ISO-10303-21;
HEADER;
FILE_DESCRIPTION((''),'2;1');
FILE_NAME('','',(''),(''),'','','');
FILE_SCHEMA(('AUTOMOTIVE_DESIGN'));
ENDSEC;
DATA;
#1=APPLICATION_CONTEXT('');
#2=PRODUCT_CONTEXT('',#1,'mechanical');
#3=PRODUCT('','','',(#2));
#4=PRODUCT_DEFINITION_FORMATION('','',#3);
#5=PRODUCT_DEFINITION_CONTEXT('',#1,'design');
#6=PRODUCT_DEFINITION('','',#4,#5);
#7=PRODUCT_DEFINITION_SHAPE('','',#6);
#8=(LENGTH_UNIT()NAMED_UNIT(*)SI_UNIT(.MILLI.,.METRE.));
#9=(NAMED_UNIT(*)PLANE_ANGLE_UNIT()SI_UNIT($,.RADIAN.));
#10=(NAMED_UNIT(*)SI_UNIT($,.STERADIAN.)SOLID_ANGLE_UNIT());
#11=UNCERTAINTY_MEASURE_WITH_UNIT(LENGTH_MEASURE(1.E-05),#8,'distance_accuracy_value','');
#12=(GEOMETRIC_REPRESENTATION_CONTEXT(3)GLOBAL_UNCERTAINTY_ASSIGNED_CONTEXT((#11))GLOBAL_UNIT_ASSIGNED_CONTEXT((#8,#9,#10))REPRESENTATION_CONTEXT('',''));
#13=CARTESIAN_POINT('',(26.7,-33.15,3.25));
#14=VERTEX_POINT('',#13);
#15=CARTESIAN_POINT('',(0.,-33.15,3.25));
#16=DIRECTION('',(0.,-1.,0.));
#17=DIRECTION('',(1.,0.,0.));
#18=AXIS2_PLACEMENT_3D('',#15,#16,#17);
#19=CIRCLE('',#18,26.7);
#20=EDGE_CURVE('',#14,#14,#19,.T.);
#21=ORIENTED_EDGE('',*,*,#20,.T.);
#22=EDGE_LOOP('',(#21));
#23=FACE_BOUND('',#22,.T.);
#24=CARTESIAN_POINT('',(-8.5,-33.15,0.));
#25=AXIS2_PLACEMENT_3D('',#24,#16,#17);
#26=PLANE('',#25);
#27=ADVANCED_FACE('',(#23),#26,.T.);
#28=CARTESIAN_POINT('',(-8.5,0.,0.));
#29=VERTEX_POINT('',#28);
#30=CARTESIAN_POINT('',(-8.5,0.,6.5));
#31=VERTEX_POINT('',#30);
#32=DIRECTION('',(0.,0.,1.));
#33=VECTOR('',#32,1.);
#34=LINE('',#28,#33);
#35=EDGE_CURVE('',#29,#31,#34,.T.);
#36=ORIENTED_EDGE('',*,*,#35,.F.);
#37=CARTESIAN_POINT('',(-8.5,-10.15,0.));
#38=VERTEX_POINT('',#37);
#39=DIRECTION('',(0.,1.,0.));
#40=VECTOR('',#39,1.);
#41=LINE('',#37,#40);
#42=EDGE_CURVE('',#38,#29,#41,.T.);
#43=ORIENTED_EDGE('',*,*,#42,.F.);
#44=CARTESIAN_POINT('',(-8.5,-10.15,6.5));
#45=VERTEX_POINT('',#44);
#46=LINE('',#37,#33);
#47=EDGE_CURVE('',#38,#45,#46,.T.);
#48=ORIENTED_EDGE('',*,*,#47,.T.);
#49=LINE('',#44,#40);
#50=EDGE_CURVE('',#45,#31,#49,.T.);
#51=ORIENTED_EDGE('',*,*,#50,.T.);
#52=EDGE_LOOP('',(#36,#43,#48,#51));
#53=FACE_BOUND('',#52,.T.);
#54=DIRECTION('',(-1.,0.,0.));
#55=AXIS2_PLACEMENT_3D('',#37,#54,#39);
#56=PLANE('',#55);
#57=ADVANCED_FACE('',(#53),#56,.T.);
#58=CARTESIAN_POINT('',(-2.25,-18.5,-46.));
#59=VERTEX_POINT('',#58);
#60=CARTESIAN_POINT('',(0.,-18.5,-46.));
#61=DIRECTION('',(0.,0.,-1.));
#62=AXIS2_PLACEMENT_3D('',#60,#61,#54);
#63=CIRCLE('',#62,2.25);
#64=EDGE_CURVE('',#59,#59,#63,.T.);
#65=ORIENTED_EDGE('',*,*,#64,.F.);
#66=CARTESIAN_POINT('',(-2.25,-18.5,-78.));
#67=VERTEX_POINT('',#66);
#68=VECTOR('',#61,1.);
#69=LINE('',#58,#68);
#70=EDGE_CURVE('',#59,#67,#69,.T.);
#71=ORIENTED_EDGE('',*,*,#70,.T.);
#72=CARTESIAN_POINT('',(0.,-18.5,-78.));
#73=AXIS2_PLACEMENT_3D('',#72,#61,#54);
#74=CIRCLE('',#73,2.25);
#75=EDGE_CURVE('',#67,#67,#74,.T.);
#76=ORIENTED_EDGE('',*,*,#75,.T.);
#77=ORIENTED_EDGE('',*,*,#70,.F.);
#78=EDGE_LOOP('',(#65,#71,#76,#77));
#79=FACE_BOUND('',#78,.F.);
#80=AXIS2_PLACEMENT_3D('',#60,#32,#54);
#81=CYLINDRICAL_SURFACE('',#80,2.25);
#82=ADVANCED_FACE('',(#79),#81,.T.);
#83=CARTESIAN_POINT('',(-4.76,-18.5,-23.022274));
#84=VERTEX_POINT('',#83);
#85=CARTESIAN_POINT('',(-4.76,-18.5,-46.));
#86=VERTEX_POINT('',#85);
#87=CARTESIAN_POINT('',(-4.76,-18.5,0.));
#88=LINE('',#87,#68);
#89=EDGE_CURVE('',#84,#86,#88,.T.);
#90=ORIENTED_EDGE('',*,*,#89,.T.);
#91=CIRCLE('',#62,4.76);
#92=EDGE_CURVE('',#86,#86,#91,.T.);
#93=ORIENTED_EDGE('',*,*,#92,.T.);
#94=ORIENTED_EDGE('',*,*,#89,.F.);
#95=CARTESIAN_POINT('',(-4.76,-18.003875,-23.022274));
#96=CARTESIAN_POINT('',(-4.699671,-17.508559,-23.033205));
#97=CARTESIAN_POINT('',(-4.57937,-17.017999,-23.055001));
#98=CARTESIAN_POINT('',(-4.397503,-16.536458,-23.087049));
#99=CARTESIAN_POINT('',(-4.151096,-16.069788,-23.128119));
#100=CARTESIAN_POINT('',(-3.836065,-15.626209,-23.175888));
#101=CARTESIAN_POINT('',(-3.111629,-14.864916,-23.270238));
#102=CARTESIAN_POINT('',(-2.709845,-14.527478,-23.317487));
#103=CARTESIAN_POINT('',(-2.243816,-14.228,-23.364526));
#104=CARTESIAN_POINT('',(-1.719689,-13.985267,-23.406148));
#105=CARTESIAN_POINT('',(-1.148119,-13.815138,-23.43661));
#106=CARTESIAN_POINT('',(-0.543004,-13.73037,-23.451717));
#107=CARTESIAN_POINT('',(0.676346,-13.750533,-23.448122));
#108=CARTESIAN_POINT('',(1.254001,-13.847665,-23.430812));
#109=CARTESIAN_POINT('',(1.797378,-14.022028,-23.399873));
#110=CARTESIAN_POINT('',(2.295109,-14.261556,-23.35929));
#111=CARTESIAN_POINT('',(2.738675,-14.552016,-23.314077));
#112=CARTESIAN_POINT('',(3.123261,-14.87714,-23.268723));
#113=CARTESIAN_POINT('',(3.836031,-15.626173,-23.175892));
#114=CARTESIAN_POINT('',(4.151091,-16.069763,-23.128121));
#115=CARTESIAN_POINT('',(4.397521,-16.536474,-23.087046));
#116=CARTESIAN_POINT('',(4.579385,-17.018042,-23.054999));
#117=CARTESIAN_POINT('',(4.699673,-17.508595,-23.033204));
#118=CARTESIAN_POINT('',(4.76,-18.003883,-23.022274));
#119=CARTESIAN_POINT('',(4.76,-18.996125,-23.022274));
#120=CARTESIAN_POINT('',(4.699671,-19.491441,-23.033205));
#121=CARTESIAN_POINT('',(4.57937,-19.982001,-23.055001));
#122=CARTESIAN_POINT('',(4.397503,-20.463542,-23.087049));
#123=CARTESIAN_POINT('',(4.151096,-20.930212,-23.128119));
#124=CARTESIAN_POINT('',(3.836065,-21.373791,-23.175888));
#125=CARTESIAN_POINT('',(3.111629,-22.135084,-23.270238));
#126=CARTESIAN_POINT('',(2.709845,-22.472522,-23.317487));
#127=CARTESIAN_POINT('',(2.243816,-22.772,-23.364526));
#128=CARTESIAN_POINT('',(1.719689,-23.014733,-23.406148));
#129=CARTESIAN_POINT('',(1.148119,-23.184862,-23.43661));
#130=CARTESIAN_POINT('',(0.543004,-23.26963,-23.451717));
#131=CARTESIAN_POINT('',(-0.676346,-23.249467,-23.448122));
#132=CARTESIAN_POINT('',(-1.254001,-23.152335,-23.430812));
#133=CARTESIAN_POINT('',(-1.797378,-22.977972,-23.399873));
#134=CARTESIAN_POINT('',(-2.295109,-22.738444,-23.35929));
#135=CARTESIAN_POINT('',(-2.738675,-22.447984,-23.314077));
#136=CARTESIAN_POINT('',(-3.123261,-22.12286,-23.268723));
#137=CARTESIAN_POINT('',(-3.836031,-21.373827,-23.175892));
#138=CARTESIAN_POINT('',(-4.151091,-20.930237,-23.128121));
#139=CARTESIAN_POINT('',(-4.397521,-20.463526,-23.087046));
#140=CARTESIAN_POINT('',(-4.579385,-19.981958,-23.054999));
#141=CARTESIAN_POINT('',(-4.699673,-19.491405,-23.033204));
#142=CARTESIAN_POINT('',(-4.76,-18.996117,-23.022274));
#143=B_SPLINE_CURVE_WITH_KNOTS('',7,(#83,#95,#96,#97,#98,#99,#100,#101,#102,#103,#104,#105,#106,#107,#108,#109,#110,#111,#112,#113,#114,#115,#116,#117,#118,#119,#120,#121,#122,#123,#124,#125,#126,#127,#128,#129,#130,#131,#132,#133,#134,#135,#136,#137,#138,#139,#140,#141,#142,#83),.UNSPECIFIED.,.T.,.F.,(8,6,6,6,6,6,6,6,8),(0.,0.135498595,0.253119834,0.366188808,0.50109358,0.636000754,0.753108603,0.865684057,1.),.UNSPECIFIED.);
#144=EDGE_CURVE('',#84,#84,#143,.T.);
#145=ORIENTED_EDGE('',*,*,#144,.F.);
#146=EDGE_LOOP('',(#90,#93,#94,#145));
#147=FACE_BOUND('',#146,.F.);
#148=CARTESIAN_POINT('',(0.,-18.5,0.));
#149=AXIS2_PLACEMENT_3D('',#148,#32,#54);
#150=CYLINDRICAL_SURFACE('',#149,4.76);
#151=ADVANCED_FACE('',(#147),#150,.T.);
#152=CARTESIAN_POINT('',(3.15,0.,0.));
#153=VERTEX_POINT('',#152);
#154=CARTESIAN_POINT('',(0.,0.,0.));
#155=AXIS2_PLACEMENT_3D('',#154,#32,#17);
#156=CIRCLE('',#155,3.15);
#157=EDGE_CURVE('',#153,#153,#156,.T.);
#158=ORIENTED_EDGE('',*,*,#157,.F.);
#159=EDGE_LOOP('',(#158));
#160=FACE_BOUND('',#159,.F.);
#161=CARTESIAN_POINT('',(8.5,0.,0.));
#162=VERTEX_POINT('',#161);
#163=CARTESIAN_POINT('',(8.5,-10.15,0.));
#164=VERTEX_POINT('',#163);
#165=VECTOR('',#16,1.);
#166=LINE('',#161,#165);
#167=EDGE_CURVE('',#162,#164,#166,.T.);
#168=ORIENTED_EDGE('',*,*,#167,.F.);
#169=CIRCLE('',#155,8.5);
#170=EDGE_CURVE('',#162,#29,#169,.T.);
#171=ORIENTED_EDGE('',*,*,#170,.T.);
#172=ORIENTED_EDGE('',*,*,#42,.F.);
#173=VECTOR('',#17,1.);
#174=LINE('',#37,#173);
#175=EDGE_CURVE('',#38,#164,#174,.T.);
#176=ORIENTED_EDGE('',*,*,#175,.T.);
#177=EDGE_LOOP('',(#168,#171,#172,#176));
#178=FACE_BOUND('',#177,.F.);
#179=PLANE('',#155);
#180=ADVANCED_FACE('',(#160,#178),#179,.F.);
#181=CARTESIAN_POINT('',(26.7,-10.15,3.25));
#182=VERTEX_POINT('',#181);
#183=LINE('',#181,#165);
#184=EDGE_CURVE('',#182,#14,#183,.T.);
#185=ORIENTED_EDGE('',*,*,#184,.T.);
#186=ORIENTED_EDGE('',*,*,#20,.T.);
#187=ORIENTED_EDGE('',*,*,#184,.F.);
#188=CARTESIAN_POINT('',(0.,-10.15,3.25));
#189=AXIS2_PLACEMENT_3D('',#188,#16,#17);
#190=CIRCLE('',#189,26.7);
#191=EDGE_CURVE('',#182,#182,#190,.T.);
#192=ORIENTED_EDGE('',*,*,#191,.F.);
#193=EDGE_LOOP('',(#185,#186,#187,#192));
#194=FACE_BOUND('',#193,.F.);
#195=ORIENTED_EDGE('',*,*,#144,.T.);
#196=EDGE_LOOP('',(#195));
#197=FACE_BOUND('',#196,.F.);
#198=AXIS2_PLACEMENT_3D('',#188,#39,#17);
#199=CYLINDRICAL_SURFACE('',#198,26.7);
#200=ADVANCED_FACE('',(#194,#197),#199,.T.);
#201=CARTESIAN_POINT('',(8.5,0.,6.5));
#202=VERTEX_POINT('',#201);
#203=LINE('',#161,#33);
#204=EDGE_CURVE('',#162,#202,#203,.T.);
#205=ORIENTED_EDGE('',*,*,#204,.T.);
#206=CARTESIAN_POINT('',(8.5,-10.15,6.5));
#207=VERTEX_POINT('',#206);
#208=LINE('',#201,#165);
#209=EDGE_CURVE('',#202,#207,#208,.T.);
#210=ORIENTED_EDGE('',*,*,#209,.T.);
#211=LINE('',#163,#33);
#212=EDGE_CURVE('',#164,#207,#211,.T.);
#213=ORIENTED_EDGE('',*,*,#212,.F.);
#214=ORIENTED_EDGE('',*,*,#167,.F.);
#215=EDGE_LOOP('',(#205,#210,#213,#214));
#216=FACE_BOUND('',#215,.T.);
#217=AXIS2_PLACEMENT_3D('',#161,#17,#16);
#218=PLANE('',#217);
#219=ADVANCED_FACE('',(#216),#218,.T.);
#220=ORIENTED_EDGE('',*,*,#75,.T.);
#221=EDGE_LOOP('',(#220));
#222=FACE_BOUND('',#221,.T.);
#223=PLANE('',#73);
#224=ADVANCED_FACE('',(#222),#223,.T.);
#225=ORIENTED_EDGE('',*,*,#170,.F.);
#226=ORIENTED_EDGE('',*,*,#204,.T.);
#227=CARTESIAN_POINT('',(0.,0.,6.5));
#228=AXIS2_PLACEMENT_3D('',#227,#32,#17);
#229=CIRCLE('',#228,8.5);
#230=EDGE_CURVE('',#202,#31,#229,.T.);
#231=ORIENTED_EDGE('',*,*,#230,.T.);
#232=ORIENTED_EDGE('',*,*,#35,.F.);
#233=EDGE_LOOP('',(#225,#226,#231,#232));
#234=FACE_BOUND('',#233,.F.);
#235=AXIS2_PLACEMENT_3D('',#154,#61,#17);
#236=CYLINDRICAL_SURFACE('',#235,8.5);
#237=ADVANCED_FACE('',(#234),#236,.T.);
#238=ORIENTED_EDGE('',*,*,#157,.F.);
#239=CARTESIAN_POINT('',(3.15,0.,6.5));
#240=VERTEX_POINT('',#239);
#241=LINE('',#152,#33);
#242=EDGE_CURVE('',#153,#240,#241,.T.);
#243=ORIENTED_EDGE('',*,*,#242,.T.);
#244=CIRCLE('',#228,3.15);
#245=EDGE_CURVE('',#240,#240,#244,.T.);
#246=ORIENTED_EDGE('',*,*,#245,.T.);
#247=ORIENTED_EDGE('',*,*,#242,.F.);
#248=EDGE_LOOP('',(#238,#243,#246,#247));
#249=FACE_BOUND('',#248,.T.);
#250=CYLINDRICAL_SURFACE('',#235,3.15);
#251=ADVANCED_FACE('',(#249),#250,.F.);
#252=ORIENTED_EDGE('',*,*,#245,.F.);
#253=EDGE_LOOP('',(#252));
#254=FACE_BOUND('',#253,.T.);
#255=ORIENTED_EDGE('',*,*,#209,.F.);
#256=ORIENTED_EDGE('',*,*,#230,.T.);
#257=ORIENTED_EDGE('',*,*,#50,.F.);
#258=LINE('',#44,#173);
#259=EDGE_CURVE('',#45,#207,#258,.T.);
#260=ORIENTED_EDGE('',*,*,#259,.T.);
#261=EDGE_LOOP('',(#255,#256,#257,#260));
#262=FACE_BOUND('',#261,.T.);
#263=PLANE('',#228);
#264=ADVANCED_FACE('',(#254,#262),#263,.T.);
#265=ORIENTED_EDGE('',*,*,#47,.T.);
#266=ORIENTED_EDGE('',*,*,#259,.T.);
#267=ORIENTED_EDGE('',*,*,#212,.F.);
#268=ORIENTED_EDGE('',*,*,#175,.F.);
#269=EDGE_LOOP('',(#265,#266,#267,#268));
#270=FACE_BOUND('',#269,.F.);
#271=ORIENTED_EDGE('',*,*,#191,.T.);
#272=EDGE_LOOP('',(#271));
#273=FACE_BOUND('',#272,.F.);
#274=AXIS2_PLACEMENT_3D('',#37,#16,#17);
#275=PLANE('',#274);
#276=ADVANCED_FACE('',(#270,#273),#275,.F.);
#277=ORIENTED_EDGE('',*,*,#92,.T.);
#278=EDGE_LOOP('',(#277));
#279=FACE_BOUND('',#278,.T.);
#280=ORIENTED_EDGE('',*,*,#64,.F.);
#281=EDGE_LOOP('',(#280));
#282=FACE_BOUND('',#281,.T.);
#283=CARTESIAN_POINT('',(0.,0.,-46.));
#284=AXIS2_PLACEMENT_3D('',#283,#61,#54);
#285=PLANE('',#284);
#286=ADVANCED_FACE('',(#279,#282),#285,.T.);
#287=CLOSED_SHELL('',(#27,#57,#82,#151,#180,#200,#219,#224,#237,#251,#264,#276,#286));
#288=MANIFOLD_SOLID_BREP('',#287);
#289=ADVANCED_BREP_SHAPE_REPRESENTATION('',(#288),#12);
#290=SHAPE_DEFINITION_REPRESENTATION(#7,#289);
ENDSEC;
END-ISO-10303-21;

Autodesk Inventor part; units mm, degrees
ref_plane "XZ Plane" through (0, 0, 0) normal (0, 1, 0) x (-1, 0, 0)
ref_plane "XY Plane" through (0, 0, 0) normal (0, 0, 1) x (1, 0, 0)
sketch "Sketch2" plane through (0, 0, 0) normal (0, 0, 1) x (1, 0, 0)
  circle A0 centre (0, 0) radius 3.15
  line L0 (-8.5, -10.15) -> (-8.5, 0)
  line L1 (8.5, 0) -> (8.5, -10.15)
  line L2 (-8.5, -10.15) -> (8.5, -10.15)
  arc A1 (8.5, 0) -> (-8.5, 0) centre (0, 0) ccw
  line L3 (0, 8.5) -> (8.5, 8.5) construction
  dimension "d0" = 6.3
  dimension "d1" = 17
  dimension "d2" = 18.65
extrude "Extrusion1" add sketch "Sketch2" along normal blind 6.5
sketch "Sketch3" plane through (-8.5, -10.15, 0) normal (0, -1, 0) x (1, 0, 0)
  line L0 (0, 6.5) -> (17, 6.5) projected
  line L1 (0, 0) -> (0, 6.5) projected
  circle A0 centre (8.5, 3.25) radius 26.7
  point P0 (8.5, 0)
  point P1 (0, 3.25)
  point P2 (0, 3.25)
  point P3 (8.5, 6.5)
  dimension "d5" = 53.4
extrude "Extrusion2" add sketch "Sketch3" along normal blind 23
sketch "Sketch4" plane through (0, 0, 0) normal (0, 0, -1) x (-1, 0, 0)
  circle A0 centre (0, 0) radius 3.15 projected
  circle A1 centre (0, 0) radius 3.15 projected
  arc A2 (8.5, 0) -> (-8.5, 0) centre (0, 0) ccw projected
  line L0 (8.5, 0) -> (8.5, -10.15) projected
  line L1 (8.5, -10.15) -> (26.5015, -10.15) projected
  line L2 (26.5015, -10.15) -> (26.5015, -33.15) projected
  line L3 (26.5015, -33.15) -> (-26.5015, -33.15) projected
  line L4 (-26.5015, -33.15) -> (-26.5015, -10.15) projected
  line L5 (-26.5015, -10.15) -> (-8.5, -10.15) projected
  line L6 (-8.5, -10.15) -> (8.5, -10.15) projected
  line L7 (-8.5, -10.15) -> (-8.5, 0) projected
  circle A3 centre (0, -18.5) radius 4.76
  dimension "d8" = 9.52
  dimension "d9" = 8.35
extrude "Extrusion3" add sketch "Sketch4" along normal blind 46 contours A3
sketch "Sketch5" plane through (0, -18.5, -46) normal (0, 0, -1) x (-1, 0, 0)
  circle A0 centre (0, 0) radius 4.76 projected
  circle A1 centre (0, 0) radius 2.25
  point P0 (0, 18.5)
  dimension "d12" = 4.5
extrude "Extrusion4" add sketch "Sketch5" along normal blind 32 contours A1
ref_plane "Work Plane1" through (0, 0, 0) normal (1, 0, 0) x (0, 1, 0)
properties part number "dial-indicator"
